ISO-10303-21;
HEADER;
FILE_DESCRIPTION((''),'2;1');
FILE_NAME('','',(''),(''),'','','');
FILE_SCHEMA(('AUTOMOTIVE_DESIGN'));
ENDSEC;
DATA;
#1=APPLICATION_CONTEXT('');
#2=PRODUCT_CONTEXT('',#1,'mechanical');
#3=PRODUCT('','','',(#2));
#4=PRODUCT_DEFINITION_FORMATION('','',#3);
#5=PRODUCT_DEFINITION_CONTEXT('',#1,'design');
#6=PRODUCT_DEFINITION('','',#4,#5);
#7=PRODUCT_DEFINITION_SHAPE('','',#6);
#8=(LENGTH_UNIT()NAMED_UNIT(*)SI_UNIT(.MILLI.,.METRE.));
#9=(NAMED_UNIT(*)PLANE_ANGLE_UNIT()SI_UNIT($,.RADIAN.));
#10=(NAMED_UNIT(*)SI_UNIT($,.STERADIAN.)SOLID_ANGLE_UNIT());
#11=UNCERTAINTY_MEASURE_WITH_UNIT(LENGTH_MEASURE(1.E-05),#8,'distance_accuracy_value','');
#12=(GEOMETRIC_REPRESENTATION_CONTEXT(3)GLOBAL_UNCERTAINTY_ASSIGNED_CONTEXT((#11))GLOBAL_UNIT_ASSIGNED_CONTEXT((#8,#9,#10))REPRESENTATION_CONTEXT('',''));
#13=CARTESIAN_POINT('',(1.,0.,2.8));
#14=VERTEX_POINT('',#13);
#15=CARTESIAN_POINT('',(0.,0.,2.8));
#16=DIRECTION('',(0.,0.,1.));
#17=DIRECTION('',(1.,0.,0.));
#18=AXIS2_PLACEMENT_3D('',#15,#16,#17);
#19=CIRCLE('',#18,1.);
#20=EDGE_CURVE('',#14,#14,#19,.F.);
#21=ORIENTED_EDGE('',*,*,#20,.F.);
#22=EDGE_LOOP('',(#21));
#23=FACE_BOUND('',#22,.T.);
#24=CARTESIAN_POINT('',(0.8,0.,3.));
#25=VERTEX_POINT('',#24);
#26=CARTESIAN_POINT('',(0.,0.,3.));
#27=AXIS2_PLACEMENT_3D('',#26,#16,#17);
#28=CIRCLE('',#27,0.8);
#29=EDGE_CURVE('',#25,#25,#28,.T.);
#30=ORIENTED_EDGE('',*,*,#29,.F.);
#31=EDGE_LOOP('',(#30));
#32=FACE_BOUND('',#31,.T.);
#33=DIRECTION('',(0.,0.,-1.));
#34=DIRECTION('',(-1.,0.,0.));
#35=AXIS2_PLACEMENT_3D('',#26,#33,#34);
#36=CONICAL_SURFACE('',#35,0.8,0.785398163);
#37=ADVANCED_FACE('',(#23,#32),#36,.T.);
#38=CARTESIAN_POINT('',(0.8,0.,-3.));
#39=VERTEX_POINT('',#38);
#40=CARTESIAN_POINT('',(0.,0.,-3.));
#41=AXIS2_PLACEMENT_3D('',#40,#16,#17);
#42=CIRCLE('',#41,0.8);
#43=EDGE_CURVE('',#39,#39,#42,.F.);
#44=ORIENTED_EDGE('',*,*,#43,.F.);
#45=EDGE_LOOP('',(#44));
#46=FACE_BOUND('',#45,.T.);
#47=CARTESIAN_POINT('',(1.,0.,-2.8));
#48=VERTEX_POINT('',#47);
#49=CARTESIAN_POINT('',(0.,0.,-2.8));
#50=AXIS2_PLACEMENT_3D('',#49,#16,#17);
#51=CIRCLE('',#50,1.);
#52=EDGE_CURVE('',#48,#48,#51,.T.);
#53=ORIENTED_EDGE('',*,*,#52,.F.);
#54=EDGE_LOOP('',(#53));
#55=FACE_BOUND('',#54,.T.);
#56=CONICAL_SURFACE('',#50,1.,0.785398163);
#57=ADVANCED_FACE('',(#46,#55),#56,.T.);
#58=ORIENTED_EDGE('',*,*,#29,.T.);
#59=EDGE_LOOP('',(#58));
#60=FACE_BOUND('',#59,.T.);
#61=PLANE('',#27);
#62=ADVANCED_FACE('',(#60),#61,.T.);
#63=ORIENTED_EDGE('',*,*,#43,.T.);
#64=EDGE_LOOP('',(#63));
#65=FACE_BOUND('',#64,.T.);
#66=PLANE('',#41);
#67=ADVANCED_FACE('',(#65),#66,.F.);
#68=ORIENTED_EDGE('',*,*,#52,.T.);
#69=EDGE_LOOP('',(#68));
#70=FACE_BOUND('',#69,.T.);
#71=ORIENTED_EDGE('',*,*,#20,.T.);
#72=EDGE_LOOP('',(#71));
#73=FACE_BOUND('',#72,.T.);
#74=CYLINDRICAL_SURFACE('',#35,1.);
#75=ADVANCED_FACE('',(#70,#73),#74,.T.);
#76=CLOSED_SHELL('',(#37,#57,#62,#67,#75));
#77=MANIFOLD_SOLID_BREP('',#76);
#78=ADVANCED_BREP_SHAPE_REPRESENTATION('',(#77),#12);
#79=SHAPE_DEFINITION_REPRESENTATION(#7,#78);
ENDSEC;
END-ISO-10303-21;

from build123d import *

# Parameters (mm, degrees)
SKETCH_1_R      = 1
EXTRUDE_1_DEPTH = 3
CHAMFER_1_SIZE  = 0.2


with BuildPart() as part:
    # 草图1 → 凸台-拉伸1 (new body, symmetric)
    with BuildSketch(Plane.XY):
        Circle(SKETCH_1_R)
    extrude(amount=EXTRUDE_1_DEPTH, both=True)

    # 倒角1
    chamfer_1_edges = [part.edges().sort_by_distance(p)[0] for p in [
        (-1, 0, -3),
        (-1, 0, 3),
    ]]
    chamfer(chamfer_1_edges, length=CHAMFER_1_SIZE)


solid = part.part
